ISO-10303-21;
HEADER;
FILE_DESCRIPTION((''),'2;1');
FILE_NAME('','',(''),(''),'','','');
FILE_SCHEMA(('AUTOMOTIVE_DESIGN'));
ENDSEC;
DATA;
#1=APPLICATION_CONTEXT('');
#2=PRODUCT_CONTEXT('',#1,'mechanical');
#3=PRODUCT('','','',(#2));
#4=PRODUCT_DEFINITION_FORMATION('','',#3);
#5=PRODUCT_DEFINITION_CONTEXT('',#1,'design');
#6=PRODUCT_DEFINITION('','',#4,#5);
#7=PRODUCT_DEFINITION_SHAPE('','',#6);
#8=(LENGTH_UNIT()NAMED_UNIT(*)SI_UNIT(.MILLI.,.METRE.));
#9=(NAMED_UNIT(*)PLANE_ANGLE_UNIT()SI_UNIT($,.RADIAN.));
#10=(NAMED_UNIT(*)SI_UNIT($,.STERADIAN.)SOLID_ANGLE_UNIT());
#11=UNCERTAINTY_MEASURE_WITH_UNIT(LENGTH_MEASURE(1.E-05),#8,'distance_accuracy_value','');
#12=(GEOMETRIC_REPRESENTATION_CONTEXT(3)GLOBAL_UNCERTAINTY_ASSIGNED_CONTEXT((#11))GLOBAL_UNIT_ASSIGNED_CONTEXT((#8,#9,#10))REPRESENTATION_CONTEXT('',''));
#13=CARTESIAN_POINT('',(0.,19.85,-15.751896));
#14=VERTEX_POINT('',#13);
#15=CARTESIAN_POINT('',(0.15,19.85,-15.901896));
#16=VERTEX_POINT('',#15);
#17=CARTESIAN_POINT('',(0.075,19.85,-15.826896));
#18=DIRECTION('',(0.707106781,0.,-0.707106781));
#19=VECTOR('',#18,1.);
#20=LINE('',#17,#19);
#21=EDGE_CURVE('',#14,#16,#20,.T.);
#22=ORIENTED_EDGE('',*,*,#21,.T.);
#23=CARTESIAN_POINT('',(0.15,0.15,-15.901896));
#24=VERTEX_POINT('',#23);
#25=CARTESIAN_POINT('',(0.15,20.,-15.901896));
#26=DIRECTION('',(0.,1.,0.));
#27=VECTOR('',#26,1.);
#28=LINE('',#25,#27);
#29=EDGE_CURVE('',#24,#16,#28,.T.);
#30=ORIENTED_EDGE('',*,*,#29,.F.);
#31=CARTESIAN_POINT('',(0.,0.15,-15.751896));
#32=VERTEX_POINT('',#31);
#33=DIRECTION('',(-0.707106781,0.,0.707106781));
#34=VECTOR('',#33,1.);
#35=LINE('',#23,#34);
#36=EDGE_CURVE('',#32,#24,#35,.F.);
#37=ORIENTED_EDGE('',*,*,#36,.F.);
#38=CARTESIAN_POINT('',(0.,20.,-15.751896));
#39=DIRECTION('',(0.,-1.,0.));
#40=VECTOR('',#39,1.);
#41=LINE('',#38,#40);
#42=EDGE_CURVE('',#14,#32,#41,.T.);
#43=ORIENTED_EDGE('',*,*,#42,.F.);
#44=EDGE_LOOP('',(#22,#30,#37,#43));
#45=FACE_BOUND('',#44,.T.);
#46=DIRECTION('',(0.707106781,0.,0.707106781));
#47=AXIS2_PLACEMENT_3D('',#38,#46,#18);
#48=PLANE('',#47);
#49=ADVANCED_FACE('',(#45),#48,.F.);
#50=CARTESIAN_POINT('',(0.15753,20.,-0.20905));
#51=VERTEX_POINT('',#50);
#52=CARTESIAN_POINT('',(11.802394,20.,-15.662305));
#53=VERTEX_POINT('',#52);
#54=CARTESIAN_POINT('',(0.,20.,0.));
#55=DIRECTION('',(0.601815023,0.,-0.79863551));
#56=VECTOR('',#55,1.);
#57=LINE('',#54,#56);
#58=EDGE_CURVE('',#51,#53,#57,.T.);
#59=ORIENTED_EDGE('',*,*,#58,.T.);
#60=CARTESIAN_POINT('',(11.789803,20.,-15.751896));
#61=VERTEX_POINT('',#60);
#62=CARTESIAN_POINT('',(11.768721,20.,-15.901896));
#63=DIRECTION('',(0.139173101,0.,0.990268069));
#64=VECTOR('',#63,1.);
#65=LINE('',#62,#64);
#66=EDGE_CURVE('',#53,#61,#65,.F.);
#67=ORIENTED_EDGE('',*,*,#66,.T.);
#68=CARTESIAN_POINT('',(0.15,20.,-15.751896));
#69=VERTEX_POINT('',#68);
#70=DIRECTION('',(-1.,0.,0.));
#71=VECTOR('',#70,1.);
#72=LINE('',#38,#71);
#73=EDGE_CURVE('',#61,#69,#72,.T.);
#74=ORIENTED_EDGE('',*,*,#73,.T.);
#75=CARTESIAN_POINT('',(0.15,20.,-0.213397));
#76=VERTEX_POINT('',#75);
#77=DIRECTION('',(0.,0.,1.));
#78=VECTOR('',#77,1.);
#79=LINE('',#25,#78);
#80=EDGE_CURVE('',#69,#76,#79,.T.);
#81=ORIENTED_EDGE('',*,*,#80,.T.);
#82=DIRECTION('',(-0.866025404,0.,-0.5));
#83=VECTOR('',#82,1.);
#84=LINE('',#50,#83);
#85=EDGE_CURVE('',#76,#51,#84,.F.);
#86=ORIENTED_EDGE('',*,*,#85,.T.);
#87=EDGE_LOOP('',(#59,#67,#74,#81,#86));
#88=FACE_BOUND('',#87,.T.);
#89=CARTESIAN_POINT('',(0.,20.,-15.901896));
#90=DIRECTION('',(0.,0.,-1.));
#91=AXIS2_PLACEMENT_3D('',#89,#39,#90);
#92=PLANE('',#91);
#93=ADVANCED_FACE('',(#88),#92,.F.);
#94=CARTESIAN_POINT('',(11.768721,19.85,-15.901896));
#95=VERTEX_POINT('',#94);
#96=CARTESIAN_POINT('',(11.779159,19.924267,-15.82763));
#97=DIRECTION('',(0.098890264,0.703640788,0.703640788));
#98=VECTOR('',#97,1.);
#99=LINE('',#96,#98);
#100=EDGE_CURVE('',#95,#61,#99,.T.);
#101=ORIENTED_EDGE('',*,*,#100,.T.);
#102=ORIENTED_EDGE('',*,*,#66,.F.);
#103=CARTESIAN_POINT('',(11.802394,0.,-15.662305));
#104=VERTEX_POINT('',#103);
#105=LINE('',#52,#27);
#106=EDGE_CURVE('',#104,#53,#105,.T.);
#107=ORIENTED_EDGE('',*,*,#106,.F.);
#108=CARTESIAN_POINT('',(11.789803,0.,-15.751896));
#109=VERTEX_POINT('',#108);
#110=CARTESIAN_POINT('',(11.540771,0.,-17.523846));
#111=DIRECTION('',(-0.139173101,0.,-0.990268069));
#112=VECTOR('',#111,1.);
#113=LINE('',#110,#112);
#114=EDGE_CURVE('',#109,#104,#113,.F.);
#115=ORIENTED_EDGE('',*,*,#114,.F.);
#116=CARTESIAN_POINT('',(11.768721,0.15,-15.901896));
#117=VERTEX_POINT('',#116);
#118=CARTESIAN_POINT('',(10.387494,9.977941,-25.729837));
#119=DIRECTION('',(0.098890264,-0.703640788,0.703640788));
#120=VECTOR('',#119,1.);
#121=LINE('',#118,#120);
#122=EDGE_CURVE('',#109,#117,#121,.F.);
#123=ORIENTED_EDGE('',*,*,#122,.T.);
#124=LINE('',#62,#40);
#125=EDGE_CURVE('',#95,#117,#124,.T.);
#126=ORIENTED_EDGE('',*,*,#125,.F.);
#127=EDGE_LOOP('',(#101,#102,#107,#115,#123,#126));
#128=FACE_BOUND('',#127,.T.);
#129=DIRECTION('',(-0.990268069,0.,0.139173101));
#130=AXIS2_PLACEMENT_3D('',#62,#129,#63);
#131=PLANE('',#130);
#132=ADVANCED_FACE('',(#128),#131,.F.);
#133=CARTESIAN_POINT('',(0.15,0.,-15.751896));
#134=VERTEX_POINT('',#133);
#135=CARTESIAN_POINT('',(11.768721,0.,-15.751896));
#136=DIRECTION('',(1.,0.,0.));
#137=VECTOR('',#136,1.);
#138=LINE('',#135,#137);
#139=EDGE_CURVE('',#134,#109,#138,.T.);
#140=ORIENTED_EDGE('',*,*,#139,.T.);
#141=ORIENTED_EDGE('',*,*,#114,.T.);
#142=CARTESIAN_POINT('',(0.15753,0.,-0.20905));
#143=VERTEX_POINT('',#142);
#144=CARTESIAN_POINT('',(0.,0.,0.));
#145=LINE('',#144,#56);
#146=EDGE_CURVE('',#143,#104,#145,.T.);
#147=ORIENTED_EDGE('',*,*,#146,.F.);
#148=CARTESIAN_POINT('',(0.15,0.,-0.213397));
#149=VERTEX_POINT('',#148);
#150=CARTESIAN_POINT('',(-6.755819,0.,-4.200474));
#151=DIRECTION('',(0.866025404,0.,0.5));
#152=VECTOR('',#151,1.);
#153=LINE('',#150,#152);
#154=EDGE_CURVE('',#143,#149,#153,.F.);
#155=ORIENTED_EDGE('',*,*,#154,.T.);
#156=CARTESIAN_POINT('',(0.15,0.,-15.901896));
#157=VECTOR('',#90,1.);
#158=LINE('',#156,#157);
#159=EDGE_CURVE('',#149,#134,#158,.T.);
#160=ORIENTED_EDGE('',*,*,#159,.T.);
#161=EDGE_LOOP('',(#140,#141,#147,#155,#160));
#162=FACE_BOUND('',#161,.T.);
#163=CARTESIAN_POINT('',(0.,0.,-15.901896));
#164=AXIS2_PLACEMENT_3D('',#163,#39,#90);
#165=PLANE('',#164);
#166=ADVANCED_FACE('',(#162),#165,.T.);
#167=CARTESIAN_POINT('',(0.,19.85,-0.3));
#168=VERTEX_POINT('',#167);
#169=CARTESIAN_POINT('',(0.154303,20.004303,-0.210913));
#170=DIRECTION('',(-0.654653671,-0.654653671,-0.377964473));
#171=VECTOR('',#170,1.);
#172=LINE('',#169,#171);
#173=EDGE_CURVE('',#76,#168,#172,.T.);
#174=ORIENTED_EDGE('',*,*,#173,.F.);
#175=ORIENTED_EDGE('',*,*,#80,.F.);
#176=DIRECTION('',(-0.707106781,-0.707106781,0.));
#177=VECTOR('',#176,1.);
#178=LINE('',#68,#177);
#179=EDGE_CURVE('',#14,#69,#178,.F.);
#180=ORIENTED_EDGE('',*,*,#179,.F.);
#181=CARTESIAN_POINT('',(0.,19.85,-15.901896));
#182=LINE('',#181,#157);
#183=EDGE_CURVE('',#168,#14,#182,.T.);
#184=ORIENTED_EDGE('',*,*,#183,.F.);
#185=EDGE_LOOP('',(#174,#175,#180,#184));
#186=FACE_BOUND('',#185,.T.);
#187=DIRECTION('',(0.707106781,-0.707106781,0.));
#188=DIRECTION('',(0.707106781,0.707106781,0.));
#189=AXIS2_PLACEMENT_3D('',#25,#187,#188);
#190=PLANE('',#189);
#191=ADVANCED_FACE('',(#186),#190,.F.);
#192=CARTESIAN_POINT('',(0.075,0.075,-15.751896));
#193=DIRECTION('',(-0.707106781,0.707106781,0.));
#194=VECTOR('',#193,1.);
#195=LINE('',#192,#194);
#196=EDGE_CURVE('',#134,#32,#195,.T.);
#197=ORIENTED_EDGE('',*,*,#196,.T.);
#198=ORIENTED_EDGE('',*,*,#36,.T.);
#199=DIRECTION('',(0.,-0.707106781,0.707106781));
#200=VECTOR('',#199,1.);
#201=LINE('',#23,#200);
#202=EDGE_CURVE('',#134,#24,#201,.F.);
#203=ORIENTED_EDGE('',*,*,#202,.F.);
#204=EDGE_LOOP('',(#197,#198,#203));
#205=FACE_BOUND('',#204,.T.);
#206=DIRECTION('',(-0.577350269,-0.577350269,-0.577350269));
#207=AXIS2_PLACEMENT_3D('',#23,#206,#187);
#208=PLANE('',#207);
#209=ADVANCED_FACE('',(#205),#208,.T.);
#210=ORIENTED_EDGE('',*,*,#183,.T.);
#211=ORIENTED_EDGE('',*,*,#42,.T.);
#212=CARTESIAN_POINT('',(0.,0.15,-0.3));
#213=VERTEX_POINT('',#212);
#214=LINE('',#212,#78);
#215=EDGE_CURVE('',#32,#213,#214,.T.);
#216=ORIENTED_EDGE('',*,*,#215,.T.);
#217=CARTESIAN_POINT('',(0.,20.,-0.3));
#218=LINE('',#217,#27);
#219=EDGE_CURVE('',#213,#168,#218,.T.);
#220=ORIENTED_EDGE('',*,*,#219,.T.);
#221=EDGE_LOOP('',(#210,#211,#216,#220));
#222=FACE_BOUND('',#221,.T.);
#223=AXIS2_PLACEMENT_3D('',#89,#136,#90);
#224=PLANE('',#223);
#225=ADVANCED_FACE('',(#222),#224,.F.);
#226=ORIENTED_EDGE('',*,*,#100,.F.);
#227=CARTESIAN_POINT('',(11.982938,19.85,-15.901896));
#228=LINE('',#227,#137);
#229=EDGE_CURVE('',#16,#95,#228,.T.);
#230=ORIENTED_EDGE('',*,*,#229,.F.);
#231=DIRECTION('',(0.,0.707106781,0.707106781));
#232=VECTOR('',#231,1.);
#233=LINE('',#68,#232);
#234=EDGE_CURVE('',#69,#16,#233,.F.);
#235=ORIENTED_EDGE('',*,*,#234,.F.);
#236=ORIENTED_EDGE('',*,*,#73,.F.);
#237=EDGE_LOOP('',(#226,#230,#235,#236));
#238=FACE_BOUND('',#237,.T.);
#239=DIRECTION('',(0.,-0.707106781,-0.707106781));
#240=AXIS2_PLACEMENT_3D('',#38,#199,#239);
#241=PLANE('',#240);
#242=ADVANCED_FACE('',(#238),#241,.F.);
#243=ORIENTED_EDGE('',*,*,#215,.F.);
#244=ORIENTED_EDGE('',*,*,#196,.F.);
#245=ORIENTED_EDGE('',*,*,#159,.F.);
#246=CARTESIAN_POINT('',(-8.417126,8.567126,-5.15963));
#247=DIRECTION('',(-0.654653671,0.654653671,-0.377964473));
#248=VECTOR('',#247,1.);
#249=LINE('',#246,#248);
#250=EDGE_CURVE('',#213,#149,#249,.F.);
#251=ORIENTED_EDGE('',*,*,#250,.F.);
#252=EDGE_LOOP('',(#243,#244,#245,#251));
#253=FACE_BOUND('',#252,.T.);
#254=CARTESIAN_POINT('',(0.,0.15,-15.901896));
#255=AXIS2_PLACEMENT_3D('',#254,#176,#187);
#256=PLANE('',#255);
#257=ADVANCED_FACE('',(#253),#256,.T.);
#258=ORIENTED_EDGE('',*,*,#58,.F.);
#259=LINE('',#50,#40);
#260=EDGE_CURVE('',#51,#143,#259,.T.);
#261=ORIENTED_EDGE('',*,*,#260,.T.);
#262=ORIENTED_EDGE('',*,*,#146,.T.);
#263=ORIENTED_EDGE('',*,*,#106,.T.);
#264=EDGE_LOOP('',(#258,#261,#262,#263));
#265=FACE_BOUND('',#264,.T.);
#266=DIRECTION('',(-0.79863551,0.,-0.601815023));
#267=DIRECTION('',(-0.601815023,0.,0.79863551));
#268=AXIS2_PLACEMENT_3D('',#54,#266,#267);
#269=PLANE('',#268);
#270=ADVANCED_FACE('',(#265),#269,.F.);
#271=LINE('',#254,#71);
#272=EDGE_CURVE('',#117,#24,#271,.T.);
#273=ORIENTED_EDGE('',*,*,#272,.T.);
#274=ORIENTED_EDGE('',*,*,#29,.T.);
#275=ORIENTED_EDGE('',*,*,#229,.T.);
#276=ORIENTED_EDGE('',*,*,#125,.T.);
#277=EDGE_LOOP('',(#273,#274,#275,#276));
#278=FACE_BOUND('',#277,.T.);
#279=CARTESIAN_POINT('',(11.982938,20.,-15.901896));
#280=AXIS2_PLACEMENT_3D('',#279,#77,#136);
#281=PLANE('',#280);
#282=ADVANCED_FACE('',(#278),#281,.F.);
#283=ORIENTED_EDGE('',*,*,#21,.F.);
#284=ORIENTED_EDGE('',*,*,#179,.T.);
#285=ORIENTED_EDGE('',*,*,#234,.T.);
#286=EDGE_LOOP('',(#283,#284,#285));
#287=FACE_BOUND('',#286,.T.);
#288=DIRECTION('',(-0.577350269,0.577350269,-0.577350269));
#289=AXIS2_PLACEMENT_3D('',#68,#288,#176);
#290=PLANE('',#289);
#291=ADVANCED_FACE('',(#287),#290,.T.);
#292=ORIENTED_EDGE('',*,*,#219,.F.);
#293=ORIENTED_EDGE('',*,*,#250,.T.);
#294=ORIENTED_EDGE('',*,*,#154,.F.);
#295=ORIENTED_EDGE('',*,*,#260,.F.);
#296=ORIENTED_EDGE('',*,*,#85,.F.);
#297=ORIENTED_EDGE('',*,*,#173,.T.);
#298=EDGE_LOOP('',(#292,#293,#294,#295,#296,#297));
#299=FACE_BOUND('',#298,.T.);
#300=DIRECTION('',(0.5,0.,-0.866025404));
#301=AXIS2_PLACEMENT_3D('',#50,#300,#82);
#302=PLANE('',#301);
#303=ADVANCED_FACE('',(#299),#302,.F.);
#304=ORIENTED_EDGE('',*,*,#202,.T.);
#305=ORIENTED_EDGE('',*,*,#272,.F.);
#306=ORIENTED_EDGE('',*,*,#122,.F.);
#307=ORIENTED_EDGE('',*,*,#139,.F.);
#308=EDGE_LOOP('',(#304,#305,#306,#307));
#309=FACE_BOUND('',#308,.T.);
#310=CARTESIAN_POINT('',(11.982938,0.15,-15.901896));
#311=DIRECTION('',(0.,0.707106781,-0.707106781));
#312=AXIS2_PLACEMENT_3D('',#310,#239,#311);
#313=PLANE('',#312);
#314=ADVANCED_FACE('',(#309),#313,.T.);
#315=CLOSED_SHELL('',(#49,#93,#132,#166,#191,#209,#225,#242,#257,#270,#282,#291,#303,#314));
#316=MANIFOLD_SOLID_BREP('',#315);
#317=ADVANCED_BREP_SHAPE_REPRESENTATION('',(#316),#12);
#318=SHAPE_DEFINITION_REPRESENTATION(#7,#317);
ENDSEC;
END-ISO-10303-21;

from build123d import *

# Parameters (mm, degrees)
EXTRUDE_1_DEPTH = 20
CHAMFER_1_SIZE  = 0.3
CHAMFER_1_SIZE2 = 0.261758731
CHAMFER_2_SIZE2 = 0.214216777
CHAMFER_2_SIZE  = 0.3
CHAMFER_3_SIZE  = 0.15


with BuildPart() as part:
    # Эскиз1 → Вытянуть1 (new body)
    with BuildSketch(Plane(origin=(0, 0, 0), x_dir=(1, 0, 0), z_dir=(0, 1, 0))):
        Polygon((0, 0), (11.982938249, 15.901896151), (0, 15.901896151), align=None)
    extrude(amount=EXTRUDE_1_DEPTH)

    # Фаска1
    chamfer_1_edges = [part.edges().sort_by_distance(p)[0] for p in [
        (0, 10, 0),
    ]]
    chamfer_1_side = [part.faces().sort_by_distance(p)[0] for p in [
        (0, 10, -7.950948075),
    ]]
    chamfer(chamfer_1_edges, length=CHAMFER_1_SIZE, length2=CHAMFER_1_SIZE2, reference=chamfer_1_side[0])

    # Фаска2
    chamfer_2_edges = [part.edges().sort_by_distance(p)[0] for p in [
        (11.982938249, 10, -15.901896151),
    ]]
    chamfer(chamfer_2_edges, length=CHAMFER_2_SIZE, length2=CHAMFER_2_SIZE2)

    # Фаска3
    chamfer_3_edges = [part.edges().sort_by_distance(p)[0] for p in [
        (5.884360736, 0, -15.901896151),
        (5.884360736, 20, -15.901896151),
        (0, 20, -8.100948075),
        (0, 0, -8.100948075),
        (0, 10, -15.901896151),
    ]]
    chamfer(chamfer_3_edges, length=CHAMFER_3_SIZE)


solid = part.part
